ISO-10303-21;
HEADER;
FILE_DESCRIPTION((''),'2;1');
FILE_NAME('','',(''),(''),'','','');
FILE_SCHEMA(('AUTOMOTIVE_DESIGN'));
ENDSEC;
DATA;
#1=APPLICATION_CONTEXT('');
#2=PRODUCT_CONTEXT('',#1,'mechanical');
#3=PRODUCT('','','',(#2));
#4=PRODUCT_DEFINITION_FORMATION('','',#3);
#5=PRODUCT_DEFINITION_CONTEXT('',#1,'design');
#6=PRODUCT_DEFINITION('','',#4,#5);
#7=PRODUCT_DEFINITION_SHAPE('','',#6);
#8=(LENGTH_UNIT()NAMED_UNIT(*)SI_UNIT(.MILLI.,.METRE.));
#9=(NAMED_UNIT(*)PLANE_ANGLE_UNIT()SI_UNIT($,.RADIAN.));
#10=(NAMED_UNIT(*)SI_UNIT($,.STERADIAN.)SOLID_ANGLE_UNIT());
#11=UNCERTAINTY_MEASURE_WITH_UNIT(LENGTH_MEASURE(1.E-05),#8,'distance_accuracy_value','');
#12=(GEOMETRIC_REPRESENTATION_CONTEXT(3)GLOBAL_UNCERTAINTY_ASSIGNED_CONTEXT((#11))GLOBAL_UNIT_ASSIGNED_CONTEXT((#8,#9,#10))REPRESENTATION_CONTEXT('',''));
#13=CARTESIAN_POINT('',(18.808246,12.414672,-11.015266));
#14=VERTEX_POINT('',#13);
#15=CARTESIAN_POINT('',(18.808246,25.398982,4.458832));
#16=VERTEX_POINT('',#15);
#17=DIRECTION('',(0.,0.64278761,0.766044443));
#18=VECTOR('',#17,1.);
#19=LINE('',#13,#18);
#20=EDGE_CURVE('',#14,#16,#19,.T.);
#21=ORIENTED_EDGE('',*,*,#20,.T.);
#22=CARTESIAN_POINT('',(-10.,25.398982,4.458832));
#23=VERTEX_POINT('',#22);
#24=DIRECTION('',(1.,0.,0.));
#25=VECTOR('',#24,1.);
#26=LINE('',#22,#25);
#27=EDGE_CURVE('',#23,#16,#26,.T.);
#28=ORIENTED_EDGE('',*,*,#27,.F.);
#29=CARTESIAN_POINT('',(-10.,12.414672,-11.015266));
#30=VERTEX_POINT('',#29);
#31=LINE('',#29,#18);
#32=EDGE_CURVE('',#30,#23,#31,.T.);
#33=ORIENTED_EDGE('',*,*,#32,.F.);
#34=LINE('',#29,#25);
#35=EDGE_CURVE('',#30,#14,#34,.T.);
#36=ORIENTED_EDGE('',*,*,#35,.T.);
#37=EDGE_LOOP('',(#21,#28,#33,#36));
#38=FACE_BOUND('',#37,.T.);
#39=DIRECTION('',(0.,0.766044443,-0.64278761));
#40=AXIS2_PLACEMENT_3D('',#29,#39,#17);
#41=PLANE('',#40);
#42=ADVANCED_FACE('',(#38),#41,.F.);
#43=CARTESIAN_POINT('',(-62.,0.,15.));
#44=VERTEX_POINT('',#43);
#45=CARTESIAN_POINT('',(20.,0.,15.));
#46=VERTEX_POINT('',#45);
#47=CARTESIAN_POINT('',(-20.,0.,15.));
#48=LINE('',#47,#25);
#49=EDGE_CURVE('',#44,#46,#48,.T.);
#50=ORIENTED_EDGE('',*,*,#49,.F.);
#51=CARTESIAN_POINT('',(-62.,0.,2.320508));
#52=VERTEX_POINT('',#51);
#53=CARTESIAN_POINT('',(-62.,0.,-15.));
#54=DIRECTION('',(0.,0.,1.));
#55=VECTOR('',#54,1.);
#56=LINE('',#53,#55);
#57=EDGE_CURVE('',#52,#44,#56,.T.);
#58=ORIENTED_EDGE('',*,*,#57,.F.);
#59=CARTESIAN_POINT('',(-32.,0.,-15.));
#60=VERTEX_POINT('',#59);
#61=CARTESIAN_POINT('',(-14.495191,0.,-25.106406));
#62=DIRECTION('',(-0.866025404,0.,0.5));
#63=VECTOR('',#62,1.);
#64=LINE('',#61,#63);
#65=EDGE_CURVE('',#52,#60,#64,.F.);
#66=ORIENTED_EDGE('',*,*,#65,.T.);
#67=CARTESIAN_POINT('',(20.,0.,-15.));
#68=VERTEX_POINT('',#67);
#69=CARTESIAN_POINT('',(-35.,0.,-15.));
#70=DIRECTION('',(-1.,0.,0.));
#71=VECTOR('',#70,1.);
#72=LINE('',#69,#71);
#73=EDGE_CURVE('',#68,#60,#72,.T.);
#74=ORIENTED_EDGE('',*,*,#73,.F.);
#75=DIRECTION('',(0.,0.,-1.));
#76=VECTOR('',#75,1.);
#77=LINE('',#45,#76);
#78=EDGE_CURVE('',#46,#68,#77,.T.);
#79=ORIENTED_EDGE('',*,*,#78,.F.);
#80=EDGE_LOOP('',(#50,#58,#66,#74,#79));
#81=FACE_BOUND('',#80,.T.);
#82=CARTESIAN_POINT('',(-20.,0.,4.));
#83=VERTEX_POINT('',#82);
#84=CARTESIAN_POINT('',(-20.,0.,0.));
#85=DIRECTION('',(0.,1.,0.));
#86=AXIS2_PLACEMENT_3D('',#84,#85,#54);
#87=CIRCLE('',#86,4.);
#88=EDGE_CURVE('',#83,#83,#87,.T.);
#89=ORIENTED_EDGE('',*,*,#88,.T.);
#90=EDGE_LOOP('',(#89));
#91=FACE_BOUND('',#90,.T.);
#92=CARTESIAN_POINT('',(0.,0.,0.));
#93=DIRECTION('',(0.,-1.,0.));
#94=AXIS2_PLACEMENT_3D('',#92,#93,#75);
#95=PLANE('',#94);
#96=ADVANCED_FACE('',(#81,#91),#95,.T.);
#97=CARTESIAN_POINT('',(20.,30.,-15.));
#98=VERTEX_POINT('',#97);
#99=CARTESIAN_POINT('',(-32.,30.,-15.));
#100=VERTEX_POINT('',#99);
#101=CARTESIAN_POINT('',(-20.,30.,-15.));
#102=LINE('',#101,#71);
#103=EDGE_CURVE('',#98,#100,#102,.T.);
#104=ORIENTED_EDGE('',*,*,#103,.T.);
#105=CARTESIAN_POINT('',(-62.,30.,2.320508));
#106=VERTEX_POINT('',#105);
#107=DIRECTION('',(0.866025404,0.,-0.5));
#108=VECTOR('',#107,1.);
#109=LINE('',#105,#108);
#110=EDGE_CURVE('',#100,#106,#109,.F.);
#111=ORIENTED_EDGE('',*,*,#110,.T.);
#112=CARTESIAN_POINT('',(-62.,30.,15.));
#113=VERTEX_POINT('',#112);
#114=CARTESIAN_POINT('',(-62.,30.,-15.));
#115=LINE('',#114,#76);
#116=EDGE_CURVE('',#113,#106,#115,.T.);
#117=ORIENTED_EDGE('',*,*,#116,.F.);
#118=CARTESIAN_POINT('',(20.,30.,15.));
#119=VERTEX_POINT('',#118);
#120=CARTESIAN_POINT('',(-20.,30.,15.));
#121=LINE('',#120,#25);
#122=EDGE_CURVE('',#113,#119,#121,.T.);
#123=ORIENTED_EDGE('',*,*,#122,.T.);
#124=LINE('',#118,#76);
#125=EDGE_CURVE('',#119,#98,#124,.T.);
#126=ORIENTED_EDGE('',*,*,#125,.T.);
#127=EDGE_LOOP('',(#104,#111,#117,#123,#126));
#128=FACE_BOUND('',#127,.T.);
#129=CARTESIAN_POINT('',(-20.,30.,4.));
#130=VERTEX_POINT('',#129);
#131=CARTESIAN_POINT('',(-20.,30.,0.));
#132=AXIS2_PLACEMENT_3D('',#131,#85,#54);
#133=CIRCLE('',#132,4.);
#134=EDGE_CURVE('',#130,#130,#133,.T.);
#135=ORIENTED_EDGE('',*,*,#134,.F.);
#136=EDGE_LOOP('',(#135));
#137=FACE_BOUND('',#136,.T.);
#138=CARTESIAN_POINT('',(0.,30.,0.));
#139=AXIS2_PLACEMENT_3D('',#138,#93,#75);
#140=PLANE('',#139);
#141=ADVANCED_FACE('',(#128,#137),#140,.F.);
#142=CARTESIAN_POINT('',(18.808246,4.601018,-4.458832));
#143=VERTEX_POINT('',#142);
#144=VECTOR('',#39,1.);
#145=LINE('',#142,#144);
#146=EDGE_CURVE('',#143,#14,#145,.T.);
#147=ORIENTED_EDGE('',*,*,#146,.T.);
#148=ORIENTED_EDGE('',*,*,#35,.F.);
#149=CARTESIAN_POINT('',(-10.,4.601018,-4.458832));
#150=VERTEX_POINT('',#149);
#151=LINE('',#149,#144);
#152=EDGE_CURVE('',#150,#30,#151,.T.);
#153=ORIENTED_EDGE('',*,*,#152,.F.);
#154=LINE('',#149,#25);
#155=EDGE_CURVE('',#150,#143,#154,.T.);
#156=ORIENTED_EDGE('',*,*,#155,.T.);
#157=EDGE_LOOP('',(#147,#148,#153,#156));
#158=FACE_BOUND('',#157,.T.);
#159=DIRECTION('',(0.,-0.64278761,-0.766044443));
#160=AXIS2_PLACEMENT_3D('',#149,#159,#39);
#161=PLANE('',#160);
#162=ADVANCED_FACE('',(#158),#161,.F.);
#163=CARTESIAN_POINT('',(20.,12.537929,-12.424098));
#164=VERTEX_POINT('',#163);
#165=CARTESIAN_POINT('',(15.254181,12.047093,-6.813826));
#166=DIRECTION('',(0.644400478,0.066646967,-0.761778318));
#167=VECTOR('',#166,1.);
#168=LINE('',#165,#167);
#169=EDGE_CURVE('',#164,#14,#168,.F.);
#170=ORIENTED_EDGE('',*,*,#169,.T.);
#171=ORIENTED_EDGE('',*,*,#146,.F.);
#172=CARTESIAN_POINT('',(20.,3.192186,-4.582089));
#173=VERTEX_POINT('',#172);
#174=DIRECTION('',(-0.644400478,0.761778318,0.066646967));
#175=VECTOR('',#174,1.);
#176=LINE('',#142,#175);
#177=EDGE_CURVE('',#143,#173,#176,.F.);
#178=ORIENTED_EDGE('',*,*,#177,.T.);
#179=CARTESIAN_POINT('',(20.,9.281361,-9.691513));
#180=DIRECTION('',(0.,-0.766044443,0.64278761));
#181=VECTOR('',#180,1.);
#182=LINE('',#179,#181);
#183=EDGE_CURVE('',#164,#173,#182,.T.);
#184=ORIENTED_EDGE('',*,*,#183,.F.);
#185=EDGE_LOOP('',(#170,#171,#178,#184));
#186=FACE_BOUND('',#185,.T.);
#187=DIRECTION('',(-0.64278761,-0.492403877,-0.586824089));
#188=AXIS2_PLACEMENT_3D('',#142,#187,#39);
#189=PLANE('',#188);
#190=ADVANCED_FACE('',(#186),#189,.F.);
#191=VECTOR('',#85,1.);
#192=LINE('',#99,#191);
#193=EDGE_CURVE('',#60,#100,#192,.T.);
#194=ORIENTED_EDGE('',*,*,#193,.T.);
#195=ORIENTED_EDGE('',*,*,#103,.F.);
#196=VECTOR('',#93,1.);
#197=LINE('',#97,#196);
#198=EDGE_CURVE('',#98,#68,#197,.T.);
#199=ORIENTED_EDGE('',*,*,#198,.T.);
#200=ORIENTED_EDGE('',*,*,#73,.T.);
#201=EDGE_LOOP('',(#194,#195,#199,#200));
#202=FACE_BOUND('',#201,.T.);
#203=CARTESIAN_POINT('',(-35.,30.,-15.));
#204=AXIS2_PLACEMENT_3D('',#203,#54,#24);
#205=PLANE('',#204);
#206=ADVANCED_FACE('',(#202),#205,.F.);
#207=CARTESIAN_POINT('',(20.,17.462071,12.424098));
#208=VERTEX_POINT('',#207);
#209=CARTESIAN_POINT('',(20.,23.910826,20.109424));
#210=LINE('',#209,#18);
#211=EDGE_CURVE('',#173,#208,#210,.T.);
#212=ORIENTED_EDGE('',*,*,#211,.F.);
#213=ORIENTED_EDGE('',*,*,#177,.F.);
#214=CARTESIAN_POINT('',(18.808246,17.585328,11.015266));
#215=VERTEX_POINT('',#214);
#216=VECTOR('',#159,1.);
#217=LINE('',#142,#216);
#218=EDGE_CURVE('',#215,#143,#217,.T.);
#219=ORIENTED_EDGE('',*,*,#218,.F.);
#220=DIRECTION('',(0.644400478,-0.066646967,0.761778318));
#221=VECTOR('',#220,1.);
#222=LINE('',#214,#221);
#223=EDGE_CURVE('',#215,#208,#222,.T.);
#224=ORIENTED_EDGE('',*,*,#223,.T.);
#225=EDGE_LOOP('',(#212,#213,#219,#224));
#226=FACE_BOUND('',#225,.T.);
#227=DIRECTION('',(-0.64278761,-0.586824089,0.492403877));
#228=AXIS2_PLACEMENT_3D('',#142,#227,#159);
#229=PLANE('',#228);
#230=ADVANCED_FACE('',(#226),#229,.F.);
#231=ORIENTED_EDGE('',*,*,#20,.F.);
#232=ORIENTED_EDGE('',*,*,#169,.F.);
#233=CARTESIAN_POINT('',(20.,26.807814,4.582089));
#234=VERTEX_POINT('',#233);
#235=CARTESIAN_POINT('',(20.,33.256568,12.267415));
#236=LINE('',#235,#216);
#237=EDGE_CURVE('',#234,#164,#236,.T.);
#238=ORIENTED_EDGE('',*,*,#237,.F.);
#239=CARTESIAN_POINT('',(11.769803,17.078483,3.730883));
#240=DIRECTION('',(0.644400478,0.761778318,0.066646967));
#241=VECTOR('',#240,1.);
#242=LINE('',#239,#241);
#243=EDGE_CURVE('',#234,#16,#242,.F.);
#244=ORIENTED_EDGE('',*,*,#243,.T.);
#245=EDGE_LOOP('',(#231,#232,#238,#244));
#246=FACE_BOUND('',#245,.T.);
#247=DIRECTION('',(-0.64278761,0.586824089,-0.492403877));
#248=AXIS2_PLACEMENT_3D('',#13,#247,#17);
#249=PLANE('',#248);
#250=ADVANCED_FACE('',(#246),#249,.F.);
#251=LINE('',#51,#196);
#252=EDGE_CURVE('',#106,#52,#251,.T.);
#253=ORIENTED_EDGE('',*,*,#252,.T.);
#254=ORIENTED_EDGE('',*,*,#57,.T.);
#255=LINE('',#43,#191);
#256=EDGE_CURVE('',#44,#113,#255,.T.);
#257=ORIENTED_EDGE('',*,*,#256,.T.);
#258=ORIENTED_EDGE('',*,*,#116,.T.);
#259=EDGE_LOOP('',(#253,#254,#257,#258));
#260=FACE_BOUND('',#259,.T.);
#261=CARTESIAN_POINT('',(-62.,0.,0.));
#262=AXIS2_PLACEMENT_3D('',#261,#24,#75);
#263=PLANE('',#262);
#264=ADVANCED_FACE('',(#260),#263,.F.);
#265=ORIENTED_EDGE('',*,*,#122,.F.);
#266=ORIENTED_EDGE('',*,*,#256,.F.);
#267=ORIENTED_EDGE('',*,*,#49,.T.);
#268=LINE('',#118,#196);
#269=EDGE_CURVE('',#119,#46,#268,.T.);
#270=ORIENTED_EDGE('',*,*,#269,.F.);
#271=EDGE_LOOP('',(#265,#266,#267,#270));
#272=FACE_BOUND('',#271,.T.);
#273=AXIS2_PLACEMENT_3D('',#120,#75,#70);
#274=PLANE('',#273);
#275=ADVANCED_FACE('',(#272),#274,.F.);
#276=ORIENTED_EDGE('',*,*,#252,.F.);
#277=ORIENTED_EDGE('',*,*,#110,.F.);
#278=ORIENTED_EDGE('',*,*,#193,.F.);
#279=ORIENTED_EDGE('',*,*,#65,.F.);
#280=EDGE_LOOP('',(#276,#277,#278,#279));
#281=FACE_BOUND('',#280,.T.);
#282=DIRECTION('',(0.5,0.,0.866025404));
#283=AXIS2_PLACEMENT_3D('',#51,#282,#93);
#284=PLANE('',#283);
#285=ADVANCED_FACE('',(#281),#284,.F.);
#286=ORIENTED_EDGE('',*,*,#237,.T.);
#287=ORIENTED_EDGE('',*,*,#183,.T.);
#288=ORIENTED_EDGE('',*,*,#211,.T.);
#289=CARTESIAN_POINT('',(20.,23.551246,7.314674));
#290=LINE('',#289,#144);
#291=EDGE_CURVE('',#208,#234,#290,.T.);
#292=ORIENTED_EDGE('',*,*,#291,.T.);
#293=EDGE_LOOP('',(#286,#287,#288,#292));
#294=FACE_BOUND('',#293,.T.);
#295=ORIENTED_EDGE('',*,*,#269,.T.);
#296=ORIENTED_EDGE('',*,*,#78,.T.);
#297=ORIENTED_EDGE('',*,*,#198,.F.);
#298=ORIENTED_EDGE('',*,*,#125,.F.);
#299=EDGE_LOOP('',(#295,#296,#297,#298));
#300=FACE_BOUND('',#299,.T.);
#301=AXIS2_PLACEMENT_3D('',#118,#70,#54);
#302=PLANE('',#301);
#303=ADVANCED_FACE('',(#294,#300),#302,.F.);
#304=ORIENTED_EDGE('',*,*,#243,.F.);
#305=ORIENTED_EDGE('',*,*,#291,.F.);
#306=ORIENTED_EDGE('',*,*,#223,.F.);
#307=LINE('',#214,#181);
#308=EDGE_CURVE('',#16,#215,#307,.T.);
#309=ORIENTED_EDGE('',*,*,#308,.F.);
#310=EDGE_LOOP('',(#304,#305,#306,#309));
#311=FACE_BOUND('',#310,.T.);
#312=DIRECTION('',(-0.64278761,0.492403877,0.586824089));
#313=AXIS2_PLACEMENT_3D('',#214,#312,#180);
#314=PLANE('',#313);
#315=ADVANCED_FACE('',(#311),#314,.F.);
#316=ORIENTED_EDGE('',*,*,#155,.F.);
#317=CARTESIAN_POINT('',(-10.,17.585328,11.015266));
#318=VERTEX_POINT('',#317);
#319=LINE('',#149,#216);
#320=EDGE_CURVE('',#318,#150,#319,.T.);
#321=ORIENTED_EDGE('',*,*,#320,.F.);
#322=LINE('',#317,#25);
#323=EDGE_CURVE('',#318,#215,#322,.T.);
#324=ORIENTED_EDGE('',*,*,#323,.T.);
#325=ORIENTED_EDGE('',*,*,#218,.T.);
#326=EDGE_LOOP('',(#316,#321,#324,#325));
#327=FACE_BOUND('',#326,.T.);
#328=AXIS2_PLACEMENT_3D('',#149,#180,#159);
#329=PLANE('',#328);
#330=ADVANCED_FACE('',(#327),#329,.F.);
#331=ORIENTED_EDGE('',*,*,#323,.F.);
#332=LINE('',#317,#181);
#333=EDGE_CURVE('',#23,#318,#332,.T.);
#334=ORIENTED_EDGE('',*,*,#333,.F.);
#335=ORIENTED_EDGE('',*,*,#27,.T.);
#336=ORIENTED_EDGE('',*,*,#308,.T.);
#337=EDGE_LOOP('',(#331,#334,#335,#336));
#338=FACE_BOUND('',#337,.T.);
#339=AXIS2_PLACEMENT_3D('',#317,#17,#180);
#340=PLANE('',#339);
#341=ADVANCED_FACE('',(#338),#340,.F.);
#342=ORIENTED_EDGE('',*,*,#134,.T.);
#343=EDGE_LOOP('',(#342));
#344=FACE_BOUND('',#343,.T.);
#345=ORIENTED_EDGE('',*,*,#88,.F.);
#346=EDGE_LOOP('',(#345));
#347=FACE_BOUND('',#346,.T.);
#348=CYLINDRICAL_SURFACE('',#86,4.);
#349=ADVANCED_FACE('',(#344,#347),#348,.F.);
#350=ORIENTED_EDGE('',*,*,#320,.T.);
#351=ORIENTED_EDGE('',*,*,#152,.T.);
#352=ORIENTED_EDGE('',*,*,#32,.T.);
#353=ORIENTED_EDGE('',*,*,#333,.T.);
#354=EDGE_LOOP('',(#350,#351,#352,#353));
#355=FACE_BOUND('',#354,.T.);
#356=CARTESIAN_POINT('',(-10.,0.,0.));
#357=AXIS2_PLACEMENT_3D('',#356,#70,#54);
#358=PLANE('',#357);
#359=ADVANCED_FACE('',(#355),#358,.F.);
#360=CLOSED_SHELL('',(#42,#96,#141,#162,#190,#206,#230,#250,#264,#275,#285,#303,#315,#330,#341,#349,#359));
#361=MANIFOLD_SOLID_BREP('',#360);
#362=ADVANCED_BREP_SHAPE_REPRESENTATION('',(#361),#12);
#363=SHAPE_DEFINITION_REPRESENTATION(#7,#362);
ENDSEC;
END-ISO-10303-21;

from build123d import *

# Parameters (mm, degrees)
EXTRUDE_1_DEPTH     = 30
SKETCH_2_R          = 4
CUT_EXTRUDE_1_DEPTH = 31
CUT_EXTRUDE_4_DEPTH = 30
SKETCH1_W           = 30
SKETCH1_H           = 30
BOSS_EXTRUDE1_DEPTH = 27
CHAMFER1_SIZE       = 30
CHAMFER1_SIZE2      = 17.320508076
CHAMFER2_SIZE       = 1
CHAMFER2_SIZE2      = 1.191753593


with BuildPart() as part:
    # Эскиз1 → Бобышка-Вытянуть1 (new body)
    with BuildSketch(Plane(origin=(0, 0, 0), x_dir=(1, 0, 0), z_dir=(0, 1, 0))):
        Polygon((-20, -15), (-35, -15), (-35, 15), (-20, 15), (20, 15), (20, -15), align=None)
    extrude(amount=EXTRUDE_1_DEPTH)

    # Эскиз2 → Вырез-Вытянуть1 (cut, through all)
    with BuildSketch(Plane(origin=(0, 30, 0), x_dir=(1, 0, 0), z_dir=(0, 1, 0))):
        with Locations(Location((-20, 0, 0), (0, 0, 270))):  # turned: the seam where the file's is
            Circle(SKETCH_2_R)
    extrude(amount=-CUT_EXTRUDE_1_DEPTH, mode=Mode.SUBTRACT)

    # Эскиз5 → Вырез-Вытянуть4 (cut)
    with BuildSketch(Plane(origin=(20, 0, 0), x_dir=(0, 0, -1), z_dir=(1, 0, 0))):
        Polygon((4.458832066, 4.601018482), (11.015265685, 12.414671802), (-4.458832066, 25.398981518), (-11.015265685, 17.585328198), align=None)
    extrude(amount=-CUT_EXTRUDE_4_DEPTH, mode=Mode.SUBTRACT)

    # Sketch1 → Boss-Extrude1 (add)
    with BuildSketch(Plane.ZY.offset(35)):
        with Locations((0, 15)):
            Rectangle(SKETCH1_W, SKETCH1_H)
    extrude(amount=BOSS_EXTRUDE1_DEPTH)

    # Chamfer1
    chamfer1_edges = [part.edges().sort_by_distance(p)[0] for p in [
        (-62, 15, -15),
    ]]
    chamfer1_side = [part.faces().sort_by_distance(p)[0] for p in [
        (-21, 15, -15),
    ]]
    chamfer(chamfer1_edges, length=CHAMFER1_SIZE, length2=CHAMFER1_SIZE2, reference=chamfer1_side[0])

    # Chamfer2
    chamfer2_edges = [part.edges().sort_by_distance(p)[0] for p in [
        (20, 18.90682666, -3.278216809),
        (20, 21.492154858, 7.737048876),
        (20, 11.09317334, 3.278216809),
        (20, 8.507845142, -7.737048876),
    ]]
    chamfer2_side = [part.faces().sort_by_distance(p)[0] for p in [
        (20, 15, -14.575735931),
    ]]
    chamfer(chamfer2_edges, length=CHAMFER2_SIZE, length2=CHAMFER2_SIZE2, reference=chamfer2_side[0])


solid = part.part
